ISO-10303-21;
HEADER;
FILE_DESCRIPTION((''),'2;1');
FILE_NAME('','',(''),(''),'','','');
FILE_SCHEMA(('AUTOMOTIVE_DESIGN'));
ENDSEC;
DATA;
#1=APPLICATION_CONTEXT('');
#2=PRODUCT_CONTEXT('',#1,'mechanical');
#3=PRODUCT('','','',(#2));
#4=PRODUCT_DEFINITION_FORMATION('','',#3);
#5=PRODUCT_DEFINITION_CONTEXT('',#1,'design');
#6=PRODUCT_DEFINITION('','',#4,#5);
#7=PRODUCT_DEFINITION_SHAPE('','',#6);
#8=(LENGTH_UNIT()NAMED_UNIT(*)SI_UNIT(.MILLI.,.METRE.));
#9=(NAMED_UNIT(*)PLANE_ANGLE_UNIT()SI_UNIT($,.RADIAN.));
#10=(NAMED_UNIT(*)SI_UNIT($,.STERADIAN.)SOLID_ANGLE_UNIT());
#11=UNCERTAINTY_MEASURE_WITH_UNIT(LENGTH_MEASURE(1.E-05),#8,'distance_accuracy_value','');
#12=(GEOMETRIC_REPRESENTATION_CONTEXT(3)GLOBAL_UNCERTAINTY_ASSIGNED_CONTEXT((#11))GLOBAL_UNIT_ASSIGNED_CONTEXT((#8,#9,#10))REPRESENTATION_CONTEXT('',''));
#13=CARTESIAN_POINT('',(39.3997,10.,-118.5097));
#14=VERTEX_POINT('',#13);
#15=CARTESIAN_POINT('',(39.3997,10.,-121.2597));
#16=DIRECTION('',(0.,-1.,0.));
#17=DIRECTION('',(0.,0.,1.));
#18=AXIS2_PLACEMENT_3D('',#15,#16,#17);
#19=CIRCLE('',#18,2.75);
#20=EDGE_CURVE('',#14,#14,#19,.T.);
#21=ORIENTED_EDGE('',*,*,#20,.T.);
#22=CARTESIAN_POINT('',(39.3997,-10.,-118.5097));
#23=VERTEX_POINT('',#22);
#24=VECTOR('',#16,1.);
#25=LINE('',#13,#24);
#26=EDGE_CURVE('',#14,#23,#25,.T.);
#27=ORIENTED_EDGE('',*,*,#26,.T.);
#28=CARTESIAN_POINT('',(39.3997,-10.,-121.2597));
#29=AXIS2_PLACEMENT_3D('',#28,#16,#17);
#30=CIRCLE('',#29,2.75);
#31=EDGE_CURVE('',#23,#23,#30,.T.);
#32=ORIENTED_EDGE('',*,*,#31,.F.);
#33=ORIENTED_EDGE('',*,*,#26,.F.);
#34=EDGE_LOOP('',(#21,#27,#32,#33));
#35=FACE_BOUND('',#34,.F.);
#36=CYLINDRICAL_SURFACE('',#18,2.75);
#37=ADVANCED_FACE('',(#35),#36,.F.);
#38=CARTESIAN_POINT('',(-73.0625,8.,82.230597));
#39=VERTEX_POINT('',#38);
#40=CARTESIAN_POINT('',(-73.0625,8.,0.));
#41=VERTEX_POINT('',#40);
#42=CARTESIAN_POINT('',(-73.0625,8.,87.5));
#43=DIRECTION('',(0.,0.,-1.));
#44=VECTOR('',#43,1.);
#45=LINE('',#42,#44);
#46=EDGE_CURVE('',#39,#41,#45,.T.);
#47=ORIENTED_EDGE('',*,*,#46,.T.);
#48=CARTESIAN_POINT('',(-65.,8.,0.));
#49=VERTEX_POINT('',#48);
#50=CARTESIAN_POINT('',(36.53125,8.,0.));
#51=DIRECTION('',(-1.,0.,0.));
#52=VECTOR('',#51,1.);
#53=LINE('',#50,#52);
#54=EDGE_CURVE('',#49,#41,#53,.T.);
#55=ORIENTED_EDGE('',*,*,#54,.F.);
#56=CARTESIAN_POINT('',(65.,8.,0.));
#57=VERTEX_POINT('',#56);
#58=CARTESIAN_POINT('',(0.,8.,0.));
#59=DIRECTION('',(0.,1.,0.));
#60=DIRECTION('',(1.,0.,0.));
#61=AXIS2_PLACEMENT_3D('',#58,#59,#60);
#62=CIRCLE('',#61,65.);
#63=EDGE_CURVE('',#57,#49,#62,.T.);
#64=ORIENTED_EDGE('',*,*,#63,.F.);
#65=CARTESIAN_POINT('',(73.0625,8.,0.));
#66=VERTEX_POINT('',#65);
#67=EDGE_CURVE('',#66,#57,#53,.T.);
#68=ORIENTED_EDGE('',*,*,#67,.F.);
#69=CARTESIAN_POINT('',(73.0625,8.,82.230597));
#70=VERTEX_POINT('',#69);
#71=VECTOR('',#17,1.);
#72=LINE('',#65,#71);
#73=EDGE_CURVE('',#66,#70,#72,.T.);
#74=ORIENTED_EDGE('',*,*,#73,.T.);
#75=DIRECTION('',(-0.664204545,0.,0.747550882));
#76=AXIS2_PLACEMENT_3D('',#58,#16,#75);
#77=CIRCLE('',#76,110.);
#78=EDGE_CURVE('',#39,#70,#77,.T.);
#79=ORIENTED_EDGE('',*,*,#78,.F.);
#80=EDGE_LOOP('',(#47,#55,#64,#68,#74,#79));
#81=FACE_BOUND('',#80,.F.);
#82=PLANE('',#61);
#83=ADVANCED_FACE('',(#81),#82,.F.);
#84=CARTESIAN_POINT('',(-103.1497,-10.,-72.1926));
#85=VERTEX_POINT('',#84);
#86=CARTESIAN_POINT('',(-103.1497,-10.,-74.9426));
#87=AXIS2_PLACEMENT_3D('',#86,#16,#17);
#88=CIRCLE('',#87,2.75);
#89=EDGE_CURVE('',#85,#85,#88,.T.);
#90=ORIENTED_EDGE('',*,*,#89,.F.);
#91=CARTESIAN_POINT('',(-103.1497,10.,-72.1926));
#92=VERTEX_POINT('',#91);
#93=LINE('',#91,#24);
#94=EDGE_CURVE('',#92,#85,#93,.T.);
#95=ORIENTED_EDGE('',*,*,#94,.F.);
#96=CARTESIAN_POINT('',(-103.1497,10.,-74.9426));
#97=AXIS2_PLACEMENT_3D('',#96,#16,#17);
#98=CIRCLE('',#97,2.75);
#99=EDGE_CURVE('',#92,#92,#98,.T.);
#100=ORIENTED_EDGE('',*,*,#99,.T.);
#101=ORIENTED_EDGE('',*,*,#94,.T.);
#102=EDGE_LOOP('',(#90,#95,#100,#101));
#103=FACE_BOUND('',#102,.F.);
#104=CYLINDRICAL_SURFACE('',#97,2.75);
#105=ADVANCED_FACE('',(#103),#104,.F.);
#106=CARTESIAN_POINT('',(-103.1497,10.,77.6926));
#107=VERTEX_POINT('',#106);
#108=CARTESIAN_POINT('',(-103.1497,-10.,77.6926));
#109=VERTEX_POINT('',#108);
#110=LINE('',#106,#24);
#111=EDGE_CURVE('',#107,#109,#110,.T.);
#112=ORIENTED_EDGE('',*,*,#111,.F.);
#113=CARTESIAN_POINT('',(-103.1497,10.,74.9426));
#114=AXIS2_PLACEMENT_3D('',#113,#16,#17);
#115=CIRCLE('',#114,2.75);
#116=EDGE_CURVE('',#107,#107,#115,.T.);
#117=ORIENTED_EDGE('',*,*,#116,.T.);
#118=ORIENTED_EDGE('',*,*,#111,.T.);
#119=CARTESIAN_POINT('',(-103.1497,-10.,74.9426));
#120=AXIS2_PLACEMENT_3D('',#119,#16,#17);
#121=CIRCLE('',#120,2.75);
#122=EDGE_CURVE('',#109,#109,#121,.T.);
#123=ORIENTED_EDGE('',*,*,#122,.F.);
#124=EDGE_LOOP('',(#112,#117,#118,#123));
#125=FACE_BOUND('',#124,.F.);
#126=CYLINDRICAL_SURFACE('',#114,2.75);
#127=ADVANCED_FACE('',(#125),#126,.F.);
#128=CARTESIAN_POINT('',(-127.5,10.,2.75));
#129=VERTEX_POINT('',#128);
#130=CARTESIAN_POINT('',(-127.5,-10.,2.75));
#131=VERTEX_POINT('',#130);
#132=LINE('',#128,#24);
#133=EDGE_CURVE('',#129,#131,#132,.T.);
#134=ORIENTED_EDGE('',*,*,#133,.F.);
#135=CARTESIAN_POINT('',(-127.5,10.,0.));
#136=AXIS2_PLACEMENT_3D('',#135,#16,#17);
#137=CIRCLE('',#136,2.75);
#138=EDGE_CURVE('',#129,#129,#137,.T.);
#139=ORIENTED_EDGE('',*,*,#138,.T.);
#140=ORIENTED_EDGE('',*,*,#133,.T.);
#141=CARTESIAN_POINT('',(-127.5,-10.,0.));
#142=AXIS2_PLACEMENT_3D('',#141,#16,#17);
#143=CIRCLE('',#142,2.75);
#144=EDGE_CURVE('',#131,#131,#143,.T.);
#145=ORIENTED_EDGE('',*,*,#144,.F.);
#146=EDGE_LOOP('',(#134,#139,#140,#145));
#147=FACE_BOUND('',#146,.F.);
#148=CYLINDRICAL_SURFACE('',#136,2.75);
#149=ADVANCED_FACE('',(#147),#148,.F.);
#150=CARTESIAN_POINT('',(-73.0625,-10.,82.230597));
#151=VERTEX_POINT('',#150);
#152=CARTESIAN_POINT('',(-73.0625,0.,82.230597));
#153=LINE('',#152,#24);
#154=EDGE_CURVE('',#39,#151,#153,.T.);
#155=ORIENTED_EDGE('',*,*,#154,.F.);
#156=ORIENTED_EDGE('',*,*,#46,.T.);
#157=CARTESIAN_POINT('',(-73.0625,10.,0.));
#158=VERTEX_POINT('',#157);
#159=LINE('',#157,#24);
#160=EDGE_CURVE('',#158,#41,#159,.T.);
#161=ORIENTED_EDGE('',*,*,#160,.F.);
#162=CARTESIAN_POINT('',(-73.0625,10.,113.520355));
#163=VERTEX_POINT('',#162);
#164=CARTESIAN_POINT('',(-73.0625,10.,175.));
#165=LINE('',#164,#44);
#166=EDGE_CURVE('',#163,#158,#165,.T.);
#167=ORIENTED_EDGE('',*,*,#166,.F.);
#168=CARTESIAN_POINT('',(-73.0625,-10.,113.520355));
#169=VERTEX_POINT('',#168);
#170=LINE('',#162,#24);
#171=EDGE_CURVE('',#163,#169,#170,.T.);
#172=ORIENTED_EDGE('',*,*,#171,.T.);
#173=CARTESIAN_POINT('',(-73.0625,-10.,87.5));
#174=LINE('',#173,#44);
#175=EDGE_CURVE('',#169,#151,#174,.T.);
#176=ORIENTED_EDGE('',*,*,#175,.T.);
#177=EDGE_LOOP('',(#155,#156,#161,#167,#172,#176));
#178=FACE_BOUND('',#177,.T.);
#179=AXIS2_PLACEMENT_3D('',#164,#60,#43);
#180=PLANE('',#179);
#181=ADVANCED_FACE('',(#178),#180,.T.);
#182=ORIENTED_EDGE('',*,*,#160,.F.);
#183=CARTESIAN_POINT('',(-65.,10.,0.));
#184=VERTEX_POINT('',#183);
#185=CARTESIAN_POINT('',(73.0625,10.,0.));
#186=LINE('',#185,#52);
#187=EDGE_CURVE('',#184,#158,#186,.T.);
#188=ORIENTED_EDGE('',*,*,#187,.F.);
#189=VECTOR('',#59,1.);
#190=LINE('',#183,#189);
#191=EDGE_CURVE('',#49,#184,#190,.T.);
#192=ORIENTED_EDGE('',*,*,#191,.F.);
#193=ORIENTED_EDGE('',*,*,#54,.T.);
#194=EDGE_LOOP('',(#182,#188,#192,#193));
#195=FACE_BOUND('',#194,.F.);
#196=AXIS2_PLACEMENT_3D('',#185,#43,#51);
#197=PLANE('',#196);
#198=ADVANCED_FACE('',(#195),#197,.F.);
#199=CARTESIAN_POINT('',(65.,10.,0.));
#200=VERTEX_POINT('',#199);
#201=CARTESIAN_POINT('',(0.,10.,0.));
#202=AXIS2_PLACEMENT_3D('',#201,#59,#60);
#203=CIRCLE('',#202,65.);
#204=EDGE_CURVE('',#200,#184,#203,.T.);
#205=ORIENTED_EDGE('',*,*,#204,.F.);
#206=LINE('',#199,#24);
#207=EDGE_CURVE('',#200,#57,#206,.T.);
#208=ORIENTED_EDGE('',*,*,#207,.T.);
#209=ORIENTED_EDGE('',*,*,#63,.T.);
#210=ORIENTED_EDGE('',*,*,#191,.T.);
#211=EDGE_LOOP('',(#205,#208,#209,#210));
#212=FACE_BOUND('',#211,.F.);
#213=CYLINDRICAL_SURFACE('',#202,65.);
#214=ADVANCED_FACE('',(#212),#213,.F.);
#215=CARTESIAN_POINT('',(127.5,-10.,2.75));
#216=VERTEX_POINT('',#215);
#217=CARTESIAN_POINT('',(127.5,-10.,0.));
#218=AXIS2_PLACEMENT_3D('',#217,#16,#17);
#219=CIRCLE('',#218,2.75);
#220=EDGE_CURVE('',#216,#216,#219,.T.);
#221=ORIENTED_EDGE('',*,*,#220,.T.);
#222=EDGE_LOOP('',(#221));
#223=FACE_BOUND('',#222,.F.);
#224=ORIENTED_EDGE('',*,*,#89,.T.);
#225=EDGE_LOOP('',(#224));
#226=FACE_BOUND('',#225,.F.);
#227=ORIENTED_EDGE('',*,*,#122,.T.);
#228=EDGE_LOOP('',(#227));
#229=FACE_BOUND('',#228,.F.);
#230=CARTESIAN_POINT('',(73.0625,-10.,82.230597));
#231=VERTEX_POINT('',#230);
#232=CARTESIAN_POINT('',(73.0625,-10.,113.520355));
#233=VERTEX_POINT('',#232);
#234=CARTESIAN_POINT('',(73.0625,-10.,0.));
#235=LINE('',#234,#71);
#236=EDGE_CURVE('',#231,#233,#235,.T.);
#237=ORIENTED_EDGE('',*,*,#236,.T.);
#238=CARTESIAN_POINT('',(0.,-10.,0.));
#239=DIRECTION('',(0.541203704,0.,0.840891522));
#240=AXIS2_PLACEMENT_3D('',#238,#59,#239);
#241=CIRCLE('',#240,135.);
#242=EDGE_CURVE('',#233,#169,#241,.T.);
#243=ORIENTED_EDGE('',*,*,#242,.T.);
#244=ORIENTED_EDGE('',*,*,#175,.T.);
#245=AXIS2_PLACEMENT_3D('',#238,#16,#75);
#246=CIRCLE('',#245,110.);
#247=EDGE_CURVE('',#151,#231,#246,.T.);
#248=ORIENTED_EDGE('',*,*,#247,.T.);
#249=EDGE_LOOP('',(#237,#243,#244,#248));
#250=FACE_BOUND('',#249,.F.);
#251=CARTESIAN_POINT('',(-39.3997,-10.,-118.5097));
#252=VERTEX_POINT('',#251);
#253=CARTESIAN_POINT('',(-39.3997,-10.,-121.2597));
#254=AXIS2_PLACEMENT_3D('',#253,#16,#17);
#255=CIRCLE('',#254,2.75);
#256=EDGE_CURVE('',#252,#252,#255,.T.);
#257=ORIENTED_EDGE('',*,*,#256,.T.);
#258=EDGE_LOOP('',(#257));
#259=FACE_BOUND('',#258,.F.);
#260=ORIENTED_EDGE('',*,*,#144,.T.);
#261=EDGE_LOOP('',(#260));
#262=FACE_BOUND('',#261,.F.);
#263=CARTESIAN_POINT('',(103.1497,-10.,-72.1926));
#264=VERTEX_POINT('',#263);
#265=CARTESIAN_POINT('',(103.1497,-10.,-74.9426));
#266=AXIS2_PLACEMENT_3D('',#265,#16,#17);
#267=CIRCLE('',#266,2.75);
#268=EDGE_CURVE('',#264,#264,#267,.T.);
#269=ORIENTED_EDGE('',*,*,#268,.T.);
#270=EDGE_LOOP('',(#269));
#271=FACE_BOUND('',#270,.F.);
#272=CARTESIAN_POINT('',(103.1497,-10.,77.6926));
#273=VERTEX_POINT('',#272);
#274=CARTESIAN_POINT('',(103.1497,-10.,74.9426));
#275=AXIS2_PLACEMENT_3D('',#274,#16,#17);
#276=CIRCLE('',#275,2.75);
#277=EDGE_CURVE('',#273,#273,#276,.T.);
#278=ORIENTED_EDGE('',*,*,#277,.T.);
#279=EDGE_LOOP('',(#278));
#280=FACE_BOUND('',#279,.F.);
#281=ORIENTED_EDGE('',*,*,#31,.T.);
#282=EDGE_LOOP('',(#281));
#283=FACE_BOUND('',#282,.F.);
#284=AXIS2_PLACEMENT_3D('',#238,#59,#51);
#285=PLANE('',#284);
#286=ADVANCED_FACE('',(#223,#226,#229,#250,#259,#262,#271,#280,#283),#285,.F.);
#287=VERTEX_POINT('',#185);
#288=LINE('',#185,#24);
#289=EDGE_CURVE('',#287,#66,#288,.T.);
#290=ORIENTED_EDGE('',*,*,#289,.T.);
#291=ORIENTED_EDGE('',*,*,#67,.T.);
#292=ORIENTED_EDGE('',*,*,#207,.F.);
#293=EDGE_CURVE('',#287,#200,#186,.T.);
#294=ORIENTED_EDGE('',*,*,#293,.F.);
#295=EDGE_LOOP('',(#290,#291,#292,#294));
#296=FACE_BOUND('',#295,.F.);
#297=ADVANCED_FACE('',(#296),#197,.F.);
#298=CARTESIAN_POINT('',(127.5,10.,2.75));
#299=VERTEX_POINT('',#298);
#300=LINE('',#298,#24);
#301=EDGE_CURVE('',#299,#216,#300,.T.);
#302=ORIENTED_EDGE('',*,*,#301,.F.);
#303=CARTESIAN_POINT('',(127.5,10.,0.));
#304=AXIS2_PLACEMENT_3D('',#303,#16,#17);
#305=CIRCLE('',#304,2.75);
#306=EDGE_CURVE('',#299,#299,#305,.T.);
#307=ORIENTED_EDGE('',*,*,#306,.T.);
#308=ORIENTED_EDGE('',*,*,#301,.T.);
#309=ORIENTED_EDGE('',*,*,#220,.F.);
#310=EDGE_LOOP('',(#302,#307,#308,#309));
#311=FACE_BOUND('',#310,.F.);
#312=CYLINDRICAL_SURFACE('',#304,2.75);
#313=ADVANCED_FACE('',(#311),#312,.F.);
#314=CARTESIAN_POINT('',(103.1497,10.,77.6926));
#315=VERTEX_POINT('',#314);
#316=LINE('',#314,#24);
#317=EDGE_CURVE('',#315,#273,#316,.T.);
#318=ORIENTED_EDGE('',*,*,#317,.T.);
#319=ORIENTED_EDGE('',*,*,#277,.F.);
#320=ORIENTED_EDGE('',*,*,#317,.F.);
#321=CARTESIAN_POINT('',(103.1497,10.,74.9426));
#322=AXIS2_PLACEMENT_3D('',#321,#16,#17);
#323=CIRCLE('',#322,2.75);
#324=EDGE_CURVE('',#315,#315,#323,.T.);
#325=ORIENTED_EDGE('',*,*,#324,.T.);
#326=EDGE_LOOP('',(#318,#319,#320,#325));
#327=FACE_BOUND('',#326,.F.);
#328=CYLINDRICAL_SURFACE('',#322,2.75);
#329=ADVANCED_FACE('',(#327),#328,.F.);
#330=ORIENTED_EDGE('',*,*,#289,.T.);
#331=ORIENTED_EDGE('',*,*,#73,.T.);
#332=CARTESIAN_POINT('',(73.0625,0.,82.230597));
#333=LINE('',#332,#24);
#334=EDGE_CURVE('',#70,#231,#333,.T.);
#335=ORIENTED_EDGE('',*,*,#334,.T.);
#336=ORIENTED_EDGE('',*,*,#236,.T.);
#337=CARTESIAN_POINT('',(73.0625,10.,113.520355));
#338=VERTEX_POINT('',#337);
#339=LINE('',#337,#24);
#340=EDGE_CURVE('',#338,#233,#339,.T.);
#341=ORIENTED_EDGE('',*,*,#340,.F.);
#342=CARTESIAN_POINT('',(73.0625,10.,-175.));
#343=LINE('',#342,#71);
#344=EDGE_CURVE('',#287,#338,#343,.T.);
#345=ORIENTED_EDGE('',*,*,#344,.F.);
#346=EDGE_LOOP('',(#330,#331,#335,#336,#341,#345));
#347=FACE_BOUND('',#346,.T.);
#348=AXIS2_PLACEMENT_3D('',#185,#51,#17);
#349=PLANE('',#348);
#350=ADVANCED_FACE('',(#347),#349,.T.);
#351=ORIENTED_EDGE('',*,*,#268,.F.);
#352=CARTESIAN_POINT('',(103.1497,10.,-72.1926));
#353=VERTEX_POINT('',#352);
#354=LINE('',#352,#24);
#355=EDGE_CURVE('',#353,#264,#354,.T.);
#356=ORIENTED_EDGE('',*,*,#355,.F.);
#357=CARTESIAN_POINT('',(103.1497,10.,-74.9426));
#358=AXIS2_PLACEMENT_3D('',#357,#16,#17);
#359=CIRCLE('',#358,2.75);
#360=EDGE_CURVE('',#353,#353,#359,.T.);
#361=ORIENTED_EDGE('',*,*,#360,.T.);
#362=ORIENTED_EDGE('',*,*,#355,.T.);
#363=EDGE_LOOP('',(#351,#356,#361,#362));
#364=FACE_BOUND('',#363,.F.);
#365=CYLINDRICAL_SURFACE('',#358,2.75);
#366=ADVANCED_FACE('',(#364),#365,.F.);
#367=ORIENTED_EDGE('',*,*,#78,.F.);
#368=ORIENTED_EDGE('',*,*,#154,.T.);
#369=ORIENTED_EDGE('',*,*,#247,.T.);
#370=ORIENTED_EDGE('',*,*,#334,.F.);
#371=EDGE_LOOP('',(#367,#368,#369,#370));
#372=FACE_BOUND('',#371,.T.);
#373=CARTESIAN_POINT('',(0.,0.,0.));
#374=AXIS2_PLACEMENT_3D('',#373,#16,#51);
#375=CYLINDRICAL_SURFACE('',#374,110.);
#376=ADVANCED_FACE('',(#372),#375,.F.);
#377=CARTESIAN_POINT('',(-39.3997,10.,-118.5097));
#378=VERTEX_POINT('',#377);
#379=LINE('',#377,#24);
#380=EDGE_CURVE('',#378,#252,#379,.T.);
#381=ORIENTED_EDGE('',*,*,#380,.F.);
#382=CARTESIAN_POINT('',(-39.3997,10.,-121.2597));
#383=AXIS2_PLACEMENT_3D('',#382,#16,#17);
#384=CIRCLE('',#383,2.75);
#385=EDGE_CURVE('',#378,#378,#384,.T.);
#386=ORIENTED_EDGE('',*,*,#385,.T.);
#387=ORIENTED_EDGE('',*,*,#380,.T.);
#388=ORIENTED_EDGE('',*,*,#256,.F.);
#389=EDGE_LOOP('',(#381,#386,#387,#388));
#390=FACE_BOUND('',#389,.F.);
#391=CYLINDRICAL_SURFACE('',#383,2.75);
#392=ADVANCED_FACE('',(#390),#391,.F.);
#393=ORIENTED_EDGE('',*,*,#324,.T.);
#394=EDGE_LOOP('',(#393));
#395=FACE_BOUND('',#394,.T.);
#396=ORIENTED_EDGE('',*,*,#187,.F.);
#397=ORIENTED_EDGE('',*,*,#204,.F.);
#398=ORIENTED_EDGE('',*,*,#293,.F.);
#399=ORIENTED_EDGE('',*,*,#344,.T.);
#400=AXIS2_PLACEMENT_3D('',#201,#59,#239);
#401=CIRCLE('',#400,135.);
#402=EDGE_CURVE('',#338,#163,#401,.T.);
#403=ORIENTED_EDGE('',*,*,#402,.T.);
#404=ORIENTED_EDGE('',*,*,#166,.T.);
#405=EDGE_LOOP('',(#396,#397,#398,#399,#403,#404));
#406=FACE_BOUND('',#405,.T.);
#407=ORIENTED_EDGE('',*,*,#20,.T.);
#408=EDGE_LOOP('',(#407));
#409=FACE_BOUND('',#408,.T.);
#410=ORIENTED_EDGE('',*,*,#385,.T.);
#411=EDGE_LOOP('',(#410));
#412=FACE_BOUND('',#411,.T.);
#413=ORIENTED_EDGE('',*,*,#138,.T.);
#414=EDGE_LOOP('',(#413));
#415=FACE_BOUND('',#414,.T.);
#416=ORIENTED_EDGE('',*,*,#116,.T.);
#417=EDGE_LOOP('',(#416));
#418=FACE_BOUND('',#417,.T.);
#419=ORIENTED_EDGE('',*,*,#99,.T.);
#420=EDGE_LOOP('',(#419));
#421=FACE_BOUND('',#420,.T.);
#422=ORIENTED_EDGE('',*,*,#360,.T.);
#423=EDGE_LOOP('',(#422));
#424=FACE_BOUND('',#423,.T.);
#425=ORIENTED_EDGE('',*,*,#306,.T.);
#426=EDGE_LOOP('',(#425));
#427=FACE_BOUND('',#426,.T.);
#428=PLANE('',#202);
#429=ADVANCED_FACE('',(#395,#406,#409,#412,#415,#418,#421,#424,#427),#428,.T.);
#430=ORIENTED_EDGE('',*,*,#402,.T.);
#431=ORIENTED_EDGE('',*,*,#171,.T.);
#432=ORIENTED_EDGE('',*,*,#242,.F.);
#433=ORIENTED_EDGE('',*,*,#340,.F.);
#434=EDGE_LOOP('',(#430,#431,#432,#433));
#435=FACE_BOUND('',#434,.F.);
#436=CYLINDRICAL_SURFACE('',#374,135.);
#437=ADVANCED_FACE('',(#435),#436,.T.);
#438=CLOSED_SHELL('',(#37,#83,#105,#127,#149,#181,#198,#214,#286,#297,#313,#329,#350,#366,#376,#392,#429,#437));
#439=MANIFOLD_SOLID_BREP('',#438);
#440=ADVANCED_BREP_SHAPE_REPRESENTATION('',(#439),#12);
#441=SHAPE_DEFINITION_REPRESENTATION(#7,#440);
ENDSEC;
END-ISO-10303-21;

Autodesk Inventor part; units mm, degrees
ref_plane "YZ Plane" through (0, 0, 0) normal (1, 0, 0) x (0, 1, 0)
ref_plane "XZ Plane" through (0, 0, 0) normal (0, 1, 0) x (-1, 0, 0)
ref_plane "XY Plane" through (0, 0, 0) normal (0, 0, 1) x (1, 0, 0)
sketch "Sketch1" plane through (0, 0, 0) normal (0, 1, 0) x (-1, 0, 0)
  circle A0 centre (0, 0) radius 135
  circle A1 centre (0, 0) radius 110
  dimension "d0" = 270
  dimension "d1" = 220
extrude "Extrusion1" add sketch "Sketch1" along normal mid plane 20
sketch "Sketch3" plane through (0, 10, 0) normal (0, 1, 0) x (1, 0, 0)
  circle A0 centre (0, 0) radius 127.5
  circle A1 centre (127.5, 0) radius 2.5
  circle A2 centre (103.1497, 74.9426) radius 2.5
  circle A3 centre (39.3997, 121.2597) radius 2.5
  circle A4 centre (-39.3997, 121.2597) radius 2.5
  circle A5 centre (-103.1497, 74.9426) radius 2.5
  circle A6 centre (-127.5, 0) radius 2.5
  circle A7 centre (-103.1497, -74.9426) radius 2.5
  circle A8 centre (-39.3997, -121.2597) radius 2.5
  circle A9 centre (39.3997, -121.2597) radius 2.5
  circle A10 centre (103.1497, -74.9426) radius 2.5
  dimension "d7" = 255
  dimension "d8" = 5
  dimension "d11" = 360
hole "Hole1" at (127.5, 10, 0) at (103.1497, 10, 74.9426) at (39.3997, 10, 121.2597) at (-39.3997, 10, 121.2597) at (-103.1497, 10, 74.9426) at (-127.5, 10, 0) at (-103.1497, 10, -74.9426) at (-39.3997, 10, -121.2597) at (39.3997, 10, -121.2597) at (103.1497, 10, -74.9426) direction (0, -1, 0) diameter 5.5 end through all
sketch "Sketch4" plane through (0, 10, 0) normal (0, 1, 0) x (1, 0, 0)
  circle A0 centre (0, 0) radius 110
  circle A1 centre (0, 0) radius 65
  dimension "d21" = 130
extrude "Extrusion3" add sketch "Sketch4" against normal blind 2
sketch "Sketch5" plane through (0, 10, 0) normal (0, 1, 0) x (1, 0, 0)
  line L0 (73.0625, -175) -> (-73.0625, -175)
  line L1 (-73.0625, -175) -> (-73.0625, 175)
  line L2 (-73.0625, 175) -> (73.0625, 175)
  line L3 (73.0625, 175) -> (73.0625, -175)
  line L4 (73.0625, -175) -> (-73.0625, 175) construction
  line L5 (-73.0625, -175) -> (73.0625, 175) construction
  line L6 (73.0625, 0) -> (-74.6125, 0)
  point P0 (0, 0)
  point P1 (-73.0625, 0)
  dimension "d24" = 146.125
  dimension "d25" = 350
extrude "Extrusion4" cut sketch "Sketch5" against normal through all contours L0 L1 L6 L3
properties part number "Cylinder Spacer 25mm"
